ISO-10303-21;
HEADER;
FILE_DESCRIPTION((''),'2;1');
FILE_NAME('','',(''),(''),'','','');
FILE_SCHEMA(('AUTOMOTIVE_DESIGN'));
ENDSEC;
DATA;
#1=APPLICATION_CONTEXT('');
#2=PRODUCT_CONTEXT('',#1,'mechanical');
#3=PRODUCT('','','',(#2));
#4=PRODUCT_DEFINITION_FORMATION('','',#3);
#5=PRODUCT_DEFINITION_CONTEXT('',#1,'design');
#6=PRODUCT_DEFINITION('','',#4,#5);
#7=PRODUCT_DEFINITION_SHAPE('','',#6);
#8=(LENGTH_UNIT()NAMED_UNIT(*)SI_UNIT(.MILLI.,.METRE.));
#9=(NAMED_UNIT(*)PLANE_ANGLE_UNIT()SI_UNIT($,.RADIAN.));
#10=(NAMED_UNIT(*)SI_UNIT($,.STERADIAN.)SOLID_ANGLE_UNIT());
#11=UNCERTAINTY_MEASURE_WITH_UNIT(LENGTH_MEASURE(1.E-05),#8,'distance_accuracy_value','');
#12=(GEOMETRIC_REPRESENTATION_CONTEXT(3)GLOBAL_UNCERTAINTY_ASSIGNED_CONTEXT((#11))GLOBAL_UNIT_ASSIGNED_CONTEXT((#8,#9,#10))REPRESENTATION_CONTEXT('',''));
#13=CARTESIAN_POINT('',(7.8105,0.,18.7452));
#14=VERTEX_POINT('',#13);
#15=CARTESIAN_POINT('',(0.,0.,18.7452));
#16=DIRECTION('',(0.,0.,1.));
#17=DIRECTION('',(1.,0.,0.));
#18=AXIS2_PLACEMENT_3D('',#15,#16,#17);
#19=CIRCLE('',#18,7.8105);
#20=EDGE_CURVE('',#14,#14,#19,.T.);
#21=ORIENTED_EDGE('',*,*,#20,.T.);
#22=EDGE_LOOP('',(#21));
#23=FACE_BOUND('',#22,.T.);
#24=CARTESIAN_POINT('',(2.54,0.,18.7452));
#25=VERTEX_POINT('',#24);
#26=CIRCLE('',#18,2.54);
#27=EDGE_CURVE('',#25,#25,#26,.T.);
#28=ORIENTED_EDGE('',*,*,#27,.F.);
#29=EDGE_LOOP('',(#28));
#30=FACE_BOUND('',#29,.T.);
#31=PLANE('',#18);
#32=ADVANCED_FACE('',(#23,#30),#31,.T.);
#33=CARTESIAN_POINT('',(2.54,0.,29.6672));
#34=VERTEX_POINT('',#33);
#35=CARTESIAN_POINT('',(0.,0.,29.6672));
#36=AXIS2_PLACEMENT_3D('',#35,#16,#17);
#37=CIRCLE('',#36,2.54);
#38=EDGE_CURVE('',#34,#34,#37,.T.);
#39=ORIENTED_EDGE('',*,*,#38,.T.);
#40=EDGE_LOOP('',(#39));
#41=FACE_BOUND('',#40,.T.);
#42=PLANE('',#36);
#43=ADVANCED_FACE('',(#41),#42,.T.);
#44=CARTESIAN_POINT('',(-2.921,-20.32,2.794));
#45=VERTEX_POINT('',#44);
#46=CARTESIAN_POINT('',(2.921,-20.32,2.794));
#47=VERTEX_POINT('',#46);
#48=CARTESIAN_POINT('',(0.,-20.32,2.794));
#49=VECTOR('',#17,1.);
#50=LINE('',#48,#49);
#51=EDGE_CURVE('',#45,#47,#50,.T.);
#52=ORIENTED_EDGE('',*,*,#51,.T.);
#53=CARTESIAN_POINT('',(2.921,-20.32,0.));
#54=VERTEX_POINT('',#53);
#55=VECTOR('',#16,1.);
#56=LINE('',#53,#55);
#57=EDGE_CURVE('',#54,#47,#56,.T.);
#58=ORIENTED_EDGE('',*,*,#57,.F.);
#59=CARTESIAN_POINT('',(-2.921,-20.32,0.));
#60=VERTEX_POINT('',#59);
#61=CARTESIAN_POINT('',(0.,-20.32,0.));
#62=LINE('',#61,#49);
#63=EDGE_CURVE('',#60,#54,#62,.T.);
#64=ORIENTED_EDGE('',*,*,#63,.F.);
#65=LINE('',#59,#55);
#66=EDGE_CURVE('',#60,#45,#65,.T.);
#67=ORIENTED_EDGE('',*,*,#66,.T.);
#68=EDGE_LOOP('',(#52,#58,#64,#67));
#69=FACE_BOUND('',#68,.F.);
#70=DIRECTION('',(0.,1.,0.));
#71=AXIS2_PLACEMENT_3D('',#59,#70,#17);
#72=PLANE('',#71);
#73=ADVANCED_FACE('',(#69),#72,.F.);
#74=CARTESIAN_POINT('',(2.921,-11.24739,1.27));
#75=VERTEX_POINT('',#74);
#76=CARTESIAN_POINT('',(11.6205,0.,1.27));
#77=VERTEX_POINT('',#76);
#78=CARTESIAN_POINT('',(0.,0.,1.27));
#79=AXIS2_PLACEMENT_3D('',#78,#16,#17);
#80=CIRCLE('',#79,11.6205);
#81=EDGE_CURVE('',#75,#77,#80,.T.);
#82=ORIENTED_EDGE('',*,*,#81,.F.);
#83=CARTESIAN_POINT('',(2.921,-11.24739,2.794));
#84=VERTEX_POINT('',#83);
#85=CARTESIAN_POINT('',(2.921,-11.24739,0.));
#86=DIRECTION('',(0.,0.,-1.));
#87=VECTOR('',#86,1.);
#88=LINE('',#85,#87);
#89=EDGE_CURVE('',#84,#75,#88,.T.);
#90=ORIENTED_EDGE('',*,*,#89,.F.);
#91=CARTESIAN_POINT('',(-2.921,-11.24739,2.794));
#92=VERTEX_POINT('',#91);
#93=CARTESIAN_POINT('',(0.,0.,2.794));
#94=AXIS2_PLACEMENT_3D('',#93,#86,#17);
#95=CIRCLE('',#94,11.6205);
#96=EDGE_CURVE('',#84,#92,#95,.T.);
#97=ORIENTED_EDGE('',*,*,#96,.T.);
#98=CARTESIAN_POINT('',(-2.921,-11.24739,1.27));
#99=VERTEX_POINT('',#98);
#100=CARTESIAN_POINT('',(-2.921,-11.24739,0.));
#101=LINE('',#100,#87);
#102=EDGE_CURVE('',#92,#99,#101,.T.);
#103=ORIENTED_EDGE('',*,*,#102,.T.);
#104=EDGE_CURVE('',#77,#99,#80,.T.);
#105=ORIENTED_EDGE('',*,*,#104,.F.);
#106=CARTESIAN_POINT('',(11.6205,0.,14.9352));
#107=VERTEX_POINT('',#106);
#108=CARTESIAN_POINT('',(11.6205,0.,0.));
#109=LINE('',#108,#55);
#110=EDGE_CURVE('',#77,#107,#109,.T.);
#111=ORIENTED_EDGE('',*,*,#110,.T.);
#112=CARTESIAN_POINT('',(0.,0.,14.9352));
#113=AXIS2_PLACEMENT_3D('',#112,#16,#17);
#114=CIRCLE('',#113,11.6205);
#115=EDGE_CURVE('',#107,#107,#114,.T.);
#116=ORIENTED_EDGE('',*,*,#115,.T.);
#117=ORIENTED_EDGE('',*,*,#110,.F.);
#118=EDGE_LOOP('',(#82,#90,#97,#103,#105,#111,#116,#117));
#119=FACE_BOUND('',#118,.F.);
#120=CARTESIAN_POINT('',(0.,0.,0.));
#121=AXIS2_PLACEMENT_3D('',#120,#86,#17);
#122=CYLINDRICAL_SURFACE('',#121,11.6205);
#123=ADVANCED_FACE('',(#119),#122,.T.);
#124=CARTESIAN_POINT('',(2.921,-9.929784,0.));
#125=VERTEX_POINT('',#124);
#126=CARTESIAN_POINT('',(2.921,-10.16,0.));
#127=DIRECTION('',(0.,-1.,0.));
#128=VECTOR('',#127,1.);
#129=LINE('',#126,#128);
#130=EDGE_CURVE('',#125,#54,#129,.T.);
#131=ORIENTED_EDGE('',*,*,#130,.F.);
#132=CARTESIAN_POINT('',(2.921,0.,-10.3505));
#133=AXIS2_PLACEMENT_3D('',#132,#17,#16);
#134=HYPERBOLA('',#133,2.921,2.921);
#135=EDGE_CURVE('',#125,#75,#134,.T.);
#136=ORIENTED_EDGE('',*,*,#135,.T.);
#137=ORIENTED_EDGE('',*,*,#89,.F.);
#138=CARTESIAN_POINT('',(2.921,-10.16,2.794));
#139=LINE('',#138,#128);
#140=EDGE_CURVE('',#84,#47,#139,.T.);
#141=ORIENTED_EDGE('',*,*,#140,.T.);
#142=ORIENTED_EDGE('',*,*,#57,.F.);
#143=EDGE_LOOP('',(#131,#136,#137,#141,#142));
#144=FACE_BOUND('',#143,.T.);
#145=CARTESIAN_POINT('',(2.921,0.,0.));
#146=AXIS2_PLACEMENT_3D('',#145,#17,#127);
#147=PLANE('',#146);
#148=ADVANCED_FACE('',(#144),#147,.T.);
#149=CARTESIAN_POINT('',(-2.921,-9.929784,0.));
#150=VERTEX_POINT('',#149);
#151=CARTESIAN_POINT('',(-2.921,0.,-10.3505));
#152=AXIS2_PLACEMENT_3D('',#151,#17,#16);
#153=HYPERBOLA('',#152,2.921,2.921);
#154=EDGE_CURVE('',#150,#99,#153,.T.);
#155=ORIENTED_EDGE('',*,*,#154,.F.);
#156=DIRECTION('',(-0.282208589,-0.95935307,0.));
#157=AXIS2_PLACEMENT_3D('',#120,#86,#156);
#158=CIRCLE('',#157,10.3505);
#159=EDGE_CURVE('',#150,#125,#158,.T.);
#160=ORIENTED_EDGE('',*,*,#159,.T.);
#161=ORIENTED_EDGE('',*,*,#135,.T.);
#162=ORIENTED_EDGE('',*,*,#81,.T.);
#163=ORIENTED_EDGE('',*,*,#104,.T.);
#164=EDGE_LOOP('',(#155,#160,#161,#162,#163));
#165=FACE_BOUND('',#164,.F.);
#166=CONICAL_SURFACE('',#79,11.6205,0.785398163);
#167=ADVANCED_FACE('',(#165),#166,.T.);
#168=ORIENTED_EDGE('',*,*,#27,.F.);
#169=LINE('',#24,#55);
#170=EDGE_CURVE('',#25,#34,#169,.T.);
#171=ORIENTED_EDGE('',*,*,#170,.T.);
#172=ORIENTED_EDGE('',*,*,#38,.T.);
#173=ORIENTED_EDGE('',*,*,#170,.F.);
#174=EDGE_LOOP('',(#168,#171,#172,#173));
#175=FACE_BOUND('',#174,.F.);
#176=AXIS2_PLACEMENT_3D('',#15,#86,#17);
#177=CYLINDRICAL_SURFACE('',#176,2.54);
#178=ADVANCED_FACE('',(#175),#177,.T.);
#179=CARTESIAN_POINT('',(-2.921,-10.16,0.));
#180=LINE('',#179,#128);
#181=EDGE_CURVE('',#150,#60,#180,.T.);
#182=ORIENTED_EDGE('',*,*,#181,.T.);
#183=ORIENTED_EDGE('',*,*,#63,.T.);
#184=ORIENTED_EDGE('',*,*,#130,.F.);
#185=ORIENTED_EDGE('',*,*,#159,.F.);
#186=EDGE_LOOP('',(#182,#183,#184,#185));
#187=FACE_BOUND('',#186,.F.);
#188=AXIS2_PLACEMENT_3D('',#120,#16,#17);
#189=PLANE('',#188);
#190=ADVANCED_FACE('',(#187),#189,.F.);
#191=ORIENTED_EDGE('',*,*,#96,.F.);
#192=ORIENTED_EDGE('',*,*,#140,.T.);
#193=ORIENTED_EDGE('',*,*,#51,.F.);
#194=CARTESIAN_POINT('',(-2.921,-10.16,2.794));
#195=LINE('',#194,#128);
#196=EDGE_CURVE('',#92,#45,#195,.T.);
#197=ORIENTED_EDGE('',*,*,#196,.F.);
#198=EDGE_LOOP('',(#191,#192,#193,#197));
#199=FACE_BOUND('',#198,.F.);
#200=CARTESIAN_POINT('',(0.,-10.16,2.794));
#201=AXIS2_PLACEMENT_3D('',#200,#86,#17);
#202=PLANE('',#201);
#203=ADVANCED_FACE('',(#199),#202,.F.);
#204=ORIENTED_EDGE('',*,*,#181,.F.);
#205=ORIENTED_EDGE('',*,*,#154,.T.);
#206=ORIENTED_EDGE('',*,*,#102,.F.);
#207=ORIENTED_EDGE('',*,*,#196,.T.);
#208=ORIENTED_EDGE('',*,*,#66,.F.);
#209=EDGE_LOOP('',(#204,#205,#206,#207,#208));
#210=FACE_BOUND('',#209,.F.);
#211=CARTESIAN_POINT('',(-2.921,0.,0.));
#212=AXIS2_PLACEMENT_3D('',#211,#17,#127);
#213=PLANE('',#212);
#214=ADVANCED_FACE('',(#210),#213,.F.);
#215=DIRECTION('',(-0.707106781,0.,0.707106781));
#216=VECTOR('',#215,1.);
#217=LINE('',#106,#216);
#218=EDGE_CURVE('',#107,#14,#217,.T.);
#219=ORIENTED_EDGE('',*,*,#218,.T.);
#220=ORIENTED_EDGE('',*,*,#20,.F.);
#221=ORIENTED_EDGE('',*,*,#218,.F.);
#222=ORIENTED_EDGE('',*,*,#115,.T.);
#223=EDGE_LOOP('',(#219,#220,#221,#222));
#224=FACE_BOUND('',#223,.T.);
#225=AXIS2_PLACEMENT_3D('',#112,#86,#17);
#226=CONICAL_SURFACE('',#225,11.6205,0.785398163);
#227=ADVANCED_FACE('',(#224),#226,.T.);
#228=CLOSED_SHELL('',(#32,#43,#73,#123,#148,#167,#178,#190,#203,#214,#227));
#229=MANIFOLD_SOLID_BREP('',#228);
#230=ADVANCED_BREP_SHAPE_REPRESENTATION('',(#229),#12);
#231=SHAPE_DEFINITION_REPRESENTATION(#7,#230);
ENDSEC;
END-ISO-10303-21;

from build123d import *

# Parameters (mm, degrees)
F0_R     = 11.6205
F1_DEPTH = 18.7452
F2_R     = 2.54
F3_DEPTH = 10.922
F4_SIZE  = 3.81
F5_SIZE  = 1.27
F6_W     = 5.842
F6_H     = 20.32
F7_DEPTH = 2.794


with BuildPart() as f1:
    # F0 (on Top) → F1 (new body)
    with BuildSketch(Plane.XY):
        Circle(F0_R)
    extrude(amount=F1_DEPTH)

    # F2 (on face) → F3 (join)
    with BuildSketch(Plane.XY.offset(18.7452)):
        Circle(F2_R)
    extrude(amount=F3_DEPTH)

    # F4
    f4_edges = [f1.edges().sort_by_distance(p)[0] for p in [
        (-11.6205, 0, 18.7452),
    ]]
    chamfer(f4_edges, length=F4_SIZE)

    # F5
    f5_edges = [f1.edges().sort_by_distance(p)[0] for p in [
        (-11.6205, 0, 0),
    ]]
    chamfer(f5_edges, length=F5_SIZE)

    # F6 (on face) → F7 (join)
    with BuildSketch(Plane(origin=(0, 0, 0), x_dir=(1, 0, 0), z_dir=(0, 0, -1))):
        with Locations((0, 10.16)):
            Rectangle(F6_W, F6_H)
    extrude(amount=-F7_DEPTH)


solid = f1.part
